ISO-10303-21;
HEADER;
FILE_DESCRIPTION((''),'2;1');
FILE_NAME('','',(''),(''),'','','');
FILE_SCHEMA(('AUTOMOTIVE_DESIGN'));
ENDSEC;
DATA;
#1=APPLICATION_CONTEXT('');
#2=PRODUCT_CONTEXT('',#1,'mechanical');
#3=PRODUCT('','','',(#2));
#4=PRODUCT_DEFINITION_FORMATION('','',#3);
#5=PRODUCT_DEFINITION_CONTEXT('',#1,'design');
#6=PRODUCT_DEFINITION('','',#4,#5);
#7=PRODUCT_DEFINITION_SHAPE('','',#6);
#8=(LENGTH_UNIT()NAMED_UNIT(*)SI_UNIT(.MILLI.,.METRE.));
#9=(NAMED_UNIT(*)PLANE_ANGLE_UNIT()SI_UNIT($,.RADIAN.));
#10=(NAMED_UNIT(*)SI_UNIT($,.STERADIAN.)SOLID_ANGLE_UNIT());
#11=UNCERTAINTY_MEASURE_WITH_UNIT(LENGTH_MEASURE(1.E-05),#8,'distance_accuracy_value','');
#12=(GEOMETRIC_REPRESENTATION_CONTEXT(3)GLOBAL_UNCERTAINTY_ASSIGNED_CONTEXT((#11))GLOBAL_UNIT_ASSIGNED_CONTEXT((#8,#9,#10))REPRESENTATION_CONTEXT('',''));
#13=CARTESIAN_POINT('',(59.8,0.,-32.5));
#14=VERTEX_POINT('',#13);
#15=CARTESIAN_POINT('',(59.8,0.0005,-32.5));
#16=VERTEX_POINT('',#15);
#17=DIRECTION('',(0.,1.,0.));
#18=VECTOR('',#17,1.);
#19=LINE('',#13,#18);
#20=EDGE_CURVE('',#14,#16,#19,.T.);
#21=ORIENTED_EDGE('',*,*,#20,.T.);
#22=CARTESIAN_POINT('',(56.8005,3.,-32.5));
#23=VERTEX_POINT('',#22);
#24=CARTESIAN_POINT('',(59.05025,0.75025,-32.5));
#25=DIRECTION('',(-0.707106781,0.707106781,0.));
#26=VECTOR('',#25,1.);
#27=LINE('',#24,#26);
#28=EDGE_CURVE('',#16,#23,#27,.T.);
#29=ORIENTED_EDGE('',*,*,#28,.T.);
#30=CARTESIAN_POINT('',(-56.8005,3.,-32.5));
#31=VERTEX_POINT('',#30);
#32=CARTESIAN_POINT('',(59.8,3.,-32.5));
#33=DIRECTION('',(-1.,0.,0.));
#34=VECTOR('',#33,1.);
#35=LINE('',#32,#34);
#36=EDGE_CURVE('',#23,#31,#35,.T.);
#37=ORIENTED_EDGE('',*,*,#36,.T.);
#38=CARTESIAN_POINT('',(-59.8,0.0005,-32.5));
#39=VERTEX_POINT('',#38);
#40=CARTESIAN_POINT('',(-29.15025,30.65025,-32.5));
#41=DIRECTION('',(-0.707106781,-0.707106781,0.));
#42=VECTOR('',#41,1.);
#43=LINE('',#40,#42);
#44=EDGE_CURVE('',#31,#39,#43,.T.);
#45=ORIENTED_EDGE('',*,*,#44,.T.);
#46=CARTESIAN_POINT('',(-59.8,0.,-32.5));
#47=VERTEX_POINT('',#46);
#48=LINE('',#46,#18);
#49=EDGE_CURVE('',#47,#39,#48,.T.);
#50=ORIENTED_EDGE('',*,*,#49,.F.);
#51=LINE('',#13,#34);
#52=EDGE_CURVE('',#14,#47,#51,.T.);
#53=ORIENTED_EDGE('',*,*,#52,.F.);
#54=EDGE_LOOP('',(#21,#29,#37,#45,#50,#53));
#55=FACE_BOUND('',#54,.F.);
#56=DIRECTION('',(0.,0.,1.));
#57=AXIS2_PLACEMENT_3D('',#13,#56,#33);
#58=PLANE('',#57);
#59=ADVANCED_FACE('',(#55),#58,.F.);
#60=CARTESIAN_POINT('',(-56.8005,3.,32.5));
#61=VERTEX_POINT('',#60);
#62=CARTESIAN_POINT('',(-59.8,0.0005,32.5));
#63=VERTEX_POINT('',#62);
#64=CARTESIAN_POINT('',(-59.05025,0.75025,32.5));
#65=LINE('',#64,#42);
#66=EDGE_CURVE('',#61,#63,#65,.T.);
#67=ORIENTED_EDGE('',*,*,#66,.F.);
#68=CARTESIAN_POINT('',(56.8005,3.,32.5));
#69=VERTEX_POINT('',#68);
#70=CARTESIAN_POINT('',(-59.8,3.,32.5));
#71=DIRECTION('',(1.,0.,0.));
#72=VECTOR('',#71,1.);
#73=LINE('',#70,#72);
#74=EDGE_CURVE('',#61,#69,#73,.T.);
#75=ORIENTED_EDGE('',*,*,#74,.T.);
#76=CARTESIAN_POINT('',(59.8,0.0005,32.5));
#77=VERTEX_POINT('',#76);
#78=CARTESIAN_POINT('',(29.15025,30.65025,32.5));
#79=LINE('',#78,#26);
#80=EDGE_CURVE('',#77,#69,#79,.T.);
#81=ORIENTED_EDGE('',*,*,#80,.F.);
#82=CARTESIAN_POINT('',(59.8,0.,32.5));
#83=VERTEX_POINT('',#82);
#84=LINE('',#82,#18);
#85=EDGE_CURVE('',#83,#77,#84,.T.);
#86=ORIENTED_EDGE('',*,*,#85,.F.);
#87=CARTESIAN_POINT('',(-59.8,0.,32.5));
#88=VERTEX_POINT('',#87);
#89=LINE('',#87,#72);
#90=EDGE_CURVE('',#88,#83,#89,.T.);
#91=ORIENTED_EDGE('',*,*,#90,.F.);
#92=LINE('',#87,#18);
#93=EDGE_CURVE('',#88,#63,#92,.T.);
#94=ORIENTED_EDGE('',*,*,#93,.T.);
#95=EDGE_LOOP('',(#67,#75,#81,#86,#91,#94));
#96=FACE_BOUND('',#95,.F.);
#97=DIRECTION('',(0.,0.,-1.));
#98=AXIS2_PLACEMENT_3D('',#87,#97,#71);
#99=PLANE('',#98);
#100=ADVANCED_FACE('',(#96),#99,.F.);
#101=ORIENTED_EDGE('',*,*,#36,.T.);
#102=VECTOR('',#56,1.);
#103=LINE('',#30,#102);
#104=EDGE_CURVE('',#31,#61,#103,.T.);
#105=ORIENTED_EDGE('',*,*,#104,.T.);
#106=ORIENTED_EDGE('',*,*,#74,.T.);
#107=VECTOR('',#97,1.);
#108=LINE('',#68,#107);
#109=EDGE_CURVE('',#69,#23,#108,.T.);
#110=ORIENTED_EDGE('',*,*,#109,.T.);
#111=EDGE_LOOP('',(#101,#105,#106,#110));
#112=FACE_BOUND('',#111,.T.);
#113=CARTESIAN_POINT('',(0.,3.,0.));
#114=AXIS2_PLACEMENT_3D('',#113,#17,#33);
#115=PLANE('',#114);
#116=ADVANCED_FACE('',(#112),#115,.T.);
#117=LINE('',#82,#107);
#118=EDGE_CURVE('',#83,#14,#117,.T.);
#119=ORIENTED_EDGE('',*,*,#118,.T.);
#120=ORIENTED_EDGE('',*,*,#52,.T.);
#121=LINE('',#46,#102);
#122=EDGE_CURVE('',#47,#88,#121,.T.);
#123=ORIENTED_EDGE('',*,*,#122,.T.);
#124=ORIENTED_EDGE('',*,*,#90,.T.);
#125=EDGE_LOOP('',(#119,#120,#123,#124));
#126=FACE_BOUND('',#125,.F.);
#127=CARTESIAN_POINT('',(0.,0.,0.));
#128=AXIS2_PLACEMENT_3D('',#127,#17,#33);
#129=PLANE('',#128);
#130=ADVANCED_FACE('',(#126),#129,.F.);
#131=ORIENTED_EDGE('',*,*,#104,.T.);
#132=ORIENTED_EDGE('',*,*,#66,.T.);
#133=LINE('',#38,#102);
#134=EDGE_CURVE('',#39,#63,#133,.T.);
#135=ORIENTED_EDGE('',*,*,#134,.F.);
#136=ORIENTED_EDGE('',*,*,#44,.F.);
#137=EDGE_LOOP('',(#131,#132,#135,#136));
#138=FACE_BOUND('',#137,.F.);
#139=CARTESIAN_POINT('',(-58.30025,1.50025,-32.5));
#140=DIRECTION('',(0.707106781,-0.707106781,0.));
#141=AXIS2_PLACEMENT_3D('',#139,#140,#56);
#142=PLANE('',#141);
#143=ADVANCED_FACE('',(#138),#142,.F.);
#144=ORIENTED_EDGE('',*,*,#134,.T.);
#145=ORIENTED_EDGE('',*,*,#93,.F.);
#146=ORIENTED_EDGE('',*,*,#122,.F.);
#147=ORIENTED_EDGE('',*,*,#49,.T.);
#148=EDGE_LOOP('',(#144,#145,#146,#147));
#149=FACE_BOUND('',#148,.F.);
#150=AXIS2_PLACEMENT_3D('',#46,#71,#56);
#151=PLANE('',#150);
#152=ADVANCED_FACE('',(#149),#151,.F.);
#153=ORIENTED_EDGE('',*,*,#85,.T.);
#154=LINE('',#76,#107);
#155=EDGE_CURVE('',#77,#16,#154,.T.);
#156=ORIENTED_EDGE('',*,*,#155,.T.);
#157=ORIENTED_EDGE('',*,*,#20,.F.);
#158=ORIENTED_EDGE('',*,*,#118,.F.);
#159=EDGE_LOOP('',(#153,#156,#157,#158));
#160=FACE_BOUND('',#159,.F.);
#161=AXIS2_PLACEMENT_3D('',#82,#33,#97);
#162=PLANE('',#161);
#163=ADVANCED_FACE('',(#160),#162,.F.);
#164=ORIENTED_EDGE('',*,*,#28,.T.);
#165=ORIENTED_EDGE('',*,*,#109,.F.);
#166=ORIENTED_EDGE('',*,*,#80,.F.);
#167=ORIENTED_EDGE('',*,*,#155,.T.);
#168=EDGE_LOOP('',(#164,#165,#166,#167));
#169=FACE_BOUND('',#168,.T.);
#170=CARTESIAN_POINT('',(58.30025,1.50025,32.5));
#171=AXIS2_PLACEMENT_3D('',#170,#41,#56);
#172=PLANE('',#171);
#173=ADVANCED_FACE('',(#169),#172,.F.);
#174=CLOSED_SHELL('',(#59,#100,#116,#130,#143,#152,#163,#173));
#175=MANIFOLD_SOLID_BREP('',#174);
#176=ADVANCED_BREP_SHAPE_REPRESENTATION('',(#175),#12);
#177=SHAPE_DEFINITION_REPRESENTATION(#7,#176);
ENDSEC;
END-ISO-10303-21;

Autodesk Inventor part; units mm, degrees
ref_plane "YZ Plane" through (0, 0, 0) normal (1, 0, 0) x (0, 1, 0)
ref_plane "XZ Plane" through (0, 0, 0) normal (0, 1, 0) x (-1, 0, 0)
ref_plane "XY Plane" through (0, 0, 0) normal (0, 0, 1) x (1, 0, 0)
sketch "Sketch1" plane through (0, 0, 0) normal (0, 1, 0) x (-1, 0, 0)
  line L0 (59.8, 32.5) -> (-59.8, 32.5)
  line L1 (-59.8, 32.5) -> (-59.8, -32.5)
  line L2 (-59.8, -32.5) -> (59.8, -32.5)
  line L3 (59.8, -32.5) -> (59.8, 32.5)
  line L4 (59.8, 32.5) -> (-59.8, -32.5) construction
  line L5 (-59.8, 32.5) -> (59.8, -32.5) construction
  point P0 (0, 0)
  dimension "d0" = 119.6
  dimension "d1" = 65
extrude "Extrusion1" add sketch "Sketch1" along normal blind 3
chamfer "Chamfer1" distance 3 angle 45 1 edges at (59.8, 3, 0) measured on face at (59.8, 1, 10.8333)
chamfer "Chamfer2" distance 3 angle 45 1 edges at (-59.8, 3, 0) measured on face at (-59.8, 1, -10.8333)
properties part number "Left Wall"
